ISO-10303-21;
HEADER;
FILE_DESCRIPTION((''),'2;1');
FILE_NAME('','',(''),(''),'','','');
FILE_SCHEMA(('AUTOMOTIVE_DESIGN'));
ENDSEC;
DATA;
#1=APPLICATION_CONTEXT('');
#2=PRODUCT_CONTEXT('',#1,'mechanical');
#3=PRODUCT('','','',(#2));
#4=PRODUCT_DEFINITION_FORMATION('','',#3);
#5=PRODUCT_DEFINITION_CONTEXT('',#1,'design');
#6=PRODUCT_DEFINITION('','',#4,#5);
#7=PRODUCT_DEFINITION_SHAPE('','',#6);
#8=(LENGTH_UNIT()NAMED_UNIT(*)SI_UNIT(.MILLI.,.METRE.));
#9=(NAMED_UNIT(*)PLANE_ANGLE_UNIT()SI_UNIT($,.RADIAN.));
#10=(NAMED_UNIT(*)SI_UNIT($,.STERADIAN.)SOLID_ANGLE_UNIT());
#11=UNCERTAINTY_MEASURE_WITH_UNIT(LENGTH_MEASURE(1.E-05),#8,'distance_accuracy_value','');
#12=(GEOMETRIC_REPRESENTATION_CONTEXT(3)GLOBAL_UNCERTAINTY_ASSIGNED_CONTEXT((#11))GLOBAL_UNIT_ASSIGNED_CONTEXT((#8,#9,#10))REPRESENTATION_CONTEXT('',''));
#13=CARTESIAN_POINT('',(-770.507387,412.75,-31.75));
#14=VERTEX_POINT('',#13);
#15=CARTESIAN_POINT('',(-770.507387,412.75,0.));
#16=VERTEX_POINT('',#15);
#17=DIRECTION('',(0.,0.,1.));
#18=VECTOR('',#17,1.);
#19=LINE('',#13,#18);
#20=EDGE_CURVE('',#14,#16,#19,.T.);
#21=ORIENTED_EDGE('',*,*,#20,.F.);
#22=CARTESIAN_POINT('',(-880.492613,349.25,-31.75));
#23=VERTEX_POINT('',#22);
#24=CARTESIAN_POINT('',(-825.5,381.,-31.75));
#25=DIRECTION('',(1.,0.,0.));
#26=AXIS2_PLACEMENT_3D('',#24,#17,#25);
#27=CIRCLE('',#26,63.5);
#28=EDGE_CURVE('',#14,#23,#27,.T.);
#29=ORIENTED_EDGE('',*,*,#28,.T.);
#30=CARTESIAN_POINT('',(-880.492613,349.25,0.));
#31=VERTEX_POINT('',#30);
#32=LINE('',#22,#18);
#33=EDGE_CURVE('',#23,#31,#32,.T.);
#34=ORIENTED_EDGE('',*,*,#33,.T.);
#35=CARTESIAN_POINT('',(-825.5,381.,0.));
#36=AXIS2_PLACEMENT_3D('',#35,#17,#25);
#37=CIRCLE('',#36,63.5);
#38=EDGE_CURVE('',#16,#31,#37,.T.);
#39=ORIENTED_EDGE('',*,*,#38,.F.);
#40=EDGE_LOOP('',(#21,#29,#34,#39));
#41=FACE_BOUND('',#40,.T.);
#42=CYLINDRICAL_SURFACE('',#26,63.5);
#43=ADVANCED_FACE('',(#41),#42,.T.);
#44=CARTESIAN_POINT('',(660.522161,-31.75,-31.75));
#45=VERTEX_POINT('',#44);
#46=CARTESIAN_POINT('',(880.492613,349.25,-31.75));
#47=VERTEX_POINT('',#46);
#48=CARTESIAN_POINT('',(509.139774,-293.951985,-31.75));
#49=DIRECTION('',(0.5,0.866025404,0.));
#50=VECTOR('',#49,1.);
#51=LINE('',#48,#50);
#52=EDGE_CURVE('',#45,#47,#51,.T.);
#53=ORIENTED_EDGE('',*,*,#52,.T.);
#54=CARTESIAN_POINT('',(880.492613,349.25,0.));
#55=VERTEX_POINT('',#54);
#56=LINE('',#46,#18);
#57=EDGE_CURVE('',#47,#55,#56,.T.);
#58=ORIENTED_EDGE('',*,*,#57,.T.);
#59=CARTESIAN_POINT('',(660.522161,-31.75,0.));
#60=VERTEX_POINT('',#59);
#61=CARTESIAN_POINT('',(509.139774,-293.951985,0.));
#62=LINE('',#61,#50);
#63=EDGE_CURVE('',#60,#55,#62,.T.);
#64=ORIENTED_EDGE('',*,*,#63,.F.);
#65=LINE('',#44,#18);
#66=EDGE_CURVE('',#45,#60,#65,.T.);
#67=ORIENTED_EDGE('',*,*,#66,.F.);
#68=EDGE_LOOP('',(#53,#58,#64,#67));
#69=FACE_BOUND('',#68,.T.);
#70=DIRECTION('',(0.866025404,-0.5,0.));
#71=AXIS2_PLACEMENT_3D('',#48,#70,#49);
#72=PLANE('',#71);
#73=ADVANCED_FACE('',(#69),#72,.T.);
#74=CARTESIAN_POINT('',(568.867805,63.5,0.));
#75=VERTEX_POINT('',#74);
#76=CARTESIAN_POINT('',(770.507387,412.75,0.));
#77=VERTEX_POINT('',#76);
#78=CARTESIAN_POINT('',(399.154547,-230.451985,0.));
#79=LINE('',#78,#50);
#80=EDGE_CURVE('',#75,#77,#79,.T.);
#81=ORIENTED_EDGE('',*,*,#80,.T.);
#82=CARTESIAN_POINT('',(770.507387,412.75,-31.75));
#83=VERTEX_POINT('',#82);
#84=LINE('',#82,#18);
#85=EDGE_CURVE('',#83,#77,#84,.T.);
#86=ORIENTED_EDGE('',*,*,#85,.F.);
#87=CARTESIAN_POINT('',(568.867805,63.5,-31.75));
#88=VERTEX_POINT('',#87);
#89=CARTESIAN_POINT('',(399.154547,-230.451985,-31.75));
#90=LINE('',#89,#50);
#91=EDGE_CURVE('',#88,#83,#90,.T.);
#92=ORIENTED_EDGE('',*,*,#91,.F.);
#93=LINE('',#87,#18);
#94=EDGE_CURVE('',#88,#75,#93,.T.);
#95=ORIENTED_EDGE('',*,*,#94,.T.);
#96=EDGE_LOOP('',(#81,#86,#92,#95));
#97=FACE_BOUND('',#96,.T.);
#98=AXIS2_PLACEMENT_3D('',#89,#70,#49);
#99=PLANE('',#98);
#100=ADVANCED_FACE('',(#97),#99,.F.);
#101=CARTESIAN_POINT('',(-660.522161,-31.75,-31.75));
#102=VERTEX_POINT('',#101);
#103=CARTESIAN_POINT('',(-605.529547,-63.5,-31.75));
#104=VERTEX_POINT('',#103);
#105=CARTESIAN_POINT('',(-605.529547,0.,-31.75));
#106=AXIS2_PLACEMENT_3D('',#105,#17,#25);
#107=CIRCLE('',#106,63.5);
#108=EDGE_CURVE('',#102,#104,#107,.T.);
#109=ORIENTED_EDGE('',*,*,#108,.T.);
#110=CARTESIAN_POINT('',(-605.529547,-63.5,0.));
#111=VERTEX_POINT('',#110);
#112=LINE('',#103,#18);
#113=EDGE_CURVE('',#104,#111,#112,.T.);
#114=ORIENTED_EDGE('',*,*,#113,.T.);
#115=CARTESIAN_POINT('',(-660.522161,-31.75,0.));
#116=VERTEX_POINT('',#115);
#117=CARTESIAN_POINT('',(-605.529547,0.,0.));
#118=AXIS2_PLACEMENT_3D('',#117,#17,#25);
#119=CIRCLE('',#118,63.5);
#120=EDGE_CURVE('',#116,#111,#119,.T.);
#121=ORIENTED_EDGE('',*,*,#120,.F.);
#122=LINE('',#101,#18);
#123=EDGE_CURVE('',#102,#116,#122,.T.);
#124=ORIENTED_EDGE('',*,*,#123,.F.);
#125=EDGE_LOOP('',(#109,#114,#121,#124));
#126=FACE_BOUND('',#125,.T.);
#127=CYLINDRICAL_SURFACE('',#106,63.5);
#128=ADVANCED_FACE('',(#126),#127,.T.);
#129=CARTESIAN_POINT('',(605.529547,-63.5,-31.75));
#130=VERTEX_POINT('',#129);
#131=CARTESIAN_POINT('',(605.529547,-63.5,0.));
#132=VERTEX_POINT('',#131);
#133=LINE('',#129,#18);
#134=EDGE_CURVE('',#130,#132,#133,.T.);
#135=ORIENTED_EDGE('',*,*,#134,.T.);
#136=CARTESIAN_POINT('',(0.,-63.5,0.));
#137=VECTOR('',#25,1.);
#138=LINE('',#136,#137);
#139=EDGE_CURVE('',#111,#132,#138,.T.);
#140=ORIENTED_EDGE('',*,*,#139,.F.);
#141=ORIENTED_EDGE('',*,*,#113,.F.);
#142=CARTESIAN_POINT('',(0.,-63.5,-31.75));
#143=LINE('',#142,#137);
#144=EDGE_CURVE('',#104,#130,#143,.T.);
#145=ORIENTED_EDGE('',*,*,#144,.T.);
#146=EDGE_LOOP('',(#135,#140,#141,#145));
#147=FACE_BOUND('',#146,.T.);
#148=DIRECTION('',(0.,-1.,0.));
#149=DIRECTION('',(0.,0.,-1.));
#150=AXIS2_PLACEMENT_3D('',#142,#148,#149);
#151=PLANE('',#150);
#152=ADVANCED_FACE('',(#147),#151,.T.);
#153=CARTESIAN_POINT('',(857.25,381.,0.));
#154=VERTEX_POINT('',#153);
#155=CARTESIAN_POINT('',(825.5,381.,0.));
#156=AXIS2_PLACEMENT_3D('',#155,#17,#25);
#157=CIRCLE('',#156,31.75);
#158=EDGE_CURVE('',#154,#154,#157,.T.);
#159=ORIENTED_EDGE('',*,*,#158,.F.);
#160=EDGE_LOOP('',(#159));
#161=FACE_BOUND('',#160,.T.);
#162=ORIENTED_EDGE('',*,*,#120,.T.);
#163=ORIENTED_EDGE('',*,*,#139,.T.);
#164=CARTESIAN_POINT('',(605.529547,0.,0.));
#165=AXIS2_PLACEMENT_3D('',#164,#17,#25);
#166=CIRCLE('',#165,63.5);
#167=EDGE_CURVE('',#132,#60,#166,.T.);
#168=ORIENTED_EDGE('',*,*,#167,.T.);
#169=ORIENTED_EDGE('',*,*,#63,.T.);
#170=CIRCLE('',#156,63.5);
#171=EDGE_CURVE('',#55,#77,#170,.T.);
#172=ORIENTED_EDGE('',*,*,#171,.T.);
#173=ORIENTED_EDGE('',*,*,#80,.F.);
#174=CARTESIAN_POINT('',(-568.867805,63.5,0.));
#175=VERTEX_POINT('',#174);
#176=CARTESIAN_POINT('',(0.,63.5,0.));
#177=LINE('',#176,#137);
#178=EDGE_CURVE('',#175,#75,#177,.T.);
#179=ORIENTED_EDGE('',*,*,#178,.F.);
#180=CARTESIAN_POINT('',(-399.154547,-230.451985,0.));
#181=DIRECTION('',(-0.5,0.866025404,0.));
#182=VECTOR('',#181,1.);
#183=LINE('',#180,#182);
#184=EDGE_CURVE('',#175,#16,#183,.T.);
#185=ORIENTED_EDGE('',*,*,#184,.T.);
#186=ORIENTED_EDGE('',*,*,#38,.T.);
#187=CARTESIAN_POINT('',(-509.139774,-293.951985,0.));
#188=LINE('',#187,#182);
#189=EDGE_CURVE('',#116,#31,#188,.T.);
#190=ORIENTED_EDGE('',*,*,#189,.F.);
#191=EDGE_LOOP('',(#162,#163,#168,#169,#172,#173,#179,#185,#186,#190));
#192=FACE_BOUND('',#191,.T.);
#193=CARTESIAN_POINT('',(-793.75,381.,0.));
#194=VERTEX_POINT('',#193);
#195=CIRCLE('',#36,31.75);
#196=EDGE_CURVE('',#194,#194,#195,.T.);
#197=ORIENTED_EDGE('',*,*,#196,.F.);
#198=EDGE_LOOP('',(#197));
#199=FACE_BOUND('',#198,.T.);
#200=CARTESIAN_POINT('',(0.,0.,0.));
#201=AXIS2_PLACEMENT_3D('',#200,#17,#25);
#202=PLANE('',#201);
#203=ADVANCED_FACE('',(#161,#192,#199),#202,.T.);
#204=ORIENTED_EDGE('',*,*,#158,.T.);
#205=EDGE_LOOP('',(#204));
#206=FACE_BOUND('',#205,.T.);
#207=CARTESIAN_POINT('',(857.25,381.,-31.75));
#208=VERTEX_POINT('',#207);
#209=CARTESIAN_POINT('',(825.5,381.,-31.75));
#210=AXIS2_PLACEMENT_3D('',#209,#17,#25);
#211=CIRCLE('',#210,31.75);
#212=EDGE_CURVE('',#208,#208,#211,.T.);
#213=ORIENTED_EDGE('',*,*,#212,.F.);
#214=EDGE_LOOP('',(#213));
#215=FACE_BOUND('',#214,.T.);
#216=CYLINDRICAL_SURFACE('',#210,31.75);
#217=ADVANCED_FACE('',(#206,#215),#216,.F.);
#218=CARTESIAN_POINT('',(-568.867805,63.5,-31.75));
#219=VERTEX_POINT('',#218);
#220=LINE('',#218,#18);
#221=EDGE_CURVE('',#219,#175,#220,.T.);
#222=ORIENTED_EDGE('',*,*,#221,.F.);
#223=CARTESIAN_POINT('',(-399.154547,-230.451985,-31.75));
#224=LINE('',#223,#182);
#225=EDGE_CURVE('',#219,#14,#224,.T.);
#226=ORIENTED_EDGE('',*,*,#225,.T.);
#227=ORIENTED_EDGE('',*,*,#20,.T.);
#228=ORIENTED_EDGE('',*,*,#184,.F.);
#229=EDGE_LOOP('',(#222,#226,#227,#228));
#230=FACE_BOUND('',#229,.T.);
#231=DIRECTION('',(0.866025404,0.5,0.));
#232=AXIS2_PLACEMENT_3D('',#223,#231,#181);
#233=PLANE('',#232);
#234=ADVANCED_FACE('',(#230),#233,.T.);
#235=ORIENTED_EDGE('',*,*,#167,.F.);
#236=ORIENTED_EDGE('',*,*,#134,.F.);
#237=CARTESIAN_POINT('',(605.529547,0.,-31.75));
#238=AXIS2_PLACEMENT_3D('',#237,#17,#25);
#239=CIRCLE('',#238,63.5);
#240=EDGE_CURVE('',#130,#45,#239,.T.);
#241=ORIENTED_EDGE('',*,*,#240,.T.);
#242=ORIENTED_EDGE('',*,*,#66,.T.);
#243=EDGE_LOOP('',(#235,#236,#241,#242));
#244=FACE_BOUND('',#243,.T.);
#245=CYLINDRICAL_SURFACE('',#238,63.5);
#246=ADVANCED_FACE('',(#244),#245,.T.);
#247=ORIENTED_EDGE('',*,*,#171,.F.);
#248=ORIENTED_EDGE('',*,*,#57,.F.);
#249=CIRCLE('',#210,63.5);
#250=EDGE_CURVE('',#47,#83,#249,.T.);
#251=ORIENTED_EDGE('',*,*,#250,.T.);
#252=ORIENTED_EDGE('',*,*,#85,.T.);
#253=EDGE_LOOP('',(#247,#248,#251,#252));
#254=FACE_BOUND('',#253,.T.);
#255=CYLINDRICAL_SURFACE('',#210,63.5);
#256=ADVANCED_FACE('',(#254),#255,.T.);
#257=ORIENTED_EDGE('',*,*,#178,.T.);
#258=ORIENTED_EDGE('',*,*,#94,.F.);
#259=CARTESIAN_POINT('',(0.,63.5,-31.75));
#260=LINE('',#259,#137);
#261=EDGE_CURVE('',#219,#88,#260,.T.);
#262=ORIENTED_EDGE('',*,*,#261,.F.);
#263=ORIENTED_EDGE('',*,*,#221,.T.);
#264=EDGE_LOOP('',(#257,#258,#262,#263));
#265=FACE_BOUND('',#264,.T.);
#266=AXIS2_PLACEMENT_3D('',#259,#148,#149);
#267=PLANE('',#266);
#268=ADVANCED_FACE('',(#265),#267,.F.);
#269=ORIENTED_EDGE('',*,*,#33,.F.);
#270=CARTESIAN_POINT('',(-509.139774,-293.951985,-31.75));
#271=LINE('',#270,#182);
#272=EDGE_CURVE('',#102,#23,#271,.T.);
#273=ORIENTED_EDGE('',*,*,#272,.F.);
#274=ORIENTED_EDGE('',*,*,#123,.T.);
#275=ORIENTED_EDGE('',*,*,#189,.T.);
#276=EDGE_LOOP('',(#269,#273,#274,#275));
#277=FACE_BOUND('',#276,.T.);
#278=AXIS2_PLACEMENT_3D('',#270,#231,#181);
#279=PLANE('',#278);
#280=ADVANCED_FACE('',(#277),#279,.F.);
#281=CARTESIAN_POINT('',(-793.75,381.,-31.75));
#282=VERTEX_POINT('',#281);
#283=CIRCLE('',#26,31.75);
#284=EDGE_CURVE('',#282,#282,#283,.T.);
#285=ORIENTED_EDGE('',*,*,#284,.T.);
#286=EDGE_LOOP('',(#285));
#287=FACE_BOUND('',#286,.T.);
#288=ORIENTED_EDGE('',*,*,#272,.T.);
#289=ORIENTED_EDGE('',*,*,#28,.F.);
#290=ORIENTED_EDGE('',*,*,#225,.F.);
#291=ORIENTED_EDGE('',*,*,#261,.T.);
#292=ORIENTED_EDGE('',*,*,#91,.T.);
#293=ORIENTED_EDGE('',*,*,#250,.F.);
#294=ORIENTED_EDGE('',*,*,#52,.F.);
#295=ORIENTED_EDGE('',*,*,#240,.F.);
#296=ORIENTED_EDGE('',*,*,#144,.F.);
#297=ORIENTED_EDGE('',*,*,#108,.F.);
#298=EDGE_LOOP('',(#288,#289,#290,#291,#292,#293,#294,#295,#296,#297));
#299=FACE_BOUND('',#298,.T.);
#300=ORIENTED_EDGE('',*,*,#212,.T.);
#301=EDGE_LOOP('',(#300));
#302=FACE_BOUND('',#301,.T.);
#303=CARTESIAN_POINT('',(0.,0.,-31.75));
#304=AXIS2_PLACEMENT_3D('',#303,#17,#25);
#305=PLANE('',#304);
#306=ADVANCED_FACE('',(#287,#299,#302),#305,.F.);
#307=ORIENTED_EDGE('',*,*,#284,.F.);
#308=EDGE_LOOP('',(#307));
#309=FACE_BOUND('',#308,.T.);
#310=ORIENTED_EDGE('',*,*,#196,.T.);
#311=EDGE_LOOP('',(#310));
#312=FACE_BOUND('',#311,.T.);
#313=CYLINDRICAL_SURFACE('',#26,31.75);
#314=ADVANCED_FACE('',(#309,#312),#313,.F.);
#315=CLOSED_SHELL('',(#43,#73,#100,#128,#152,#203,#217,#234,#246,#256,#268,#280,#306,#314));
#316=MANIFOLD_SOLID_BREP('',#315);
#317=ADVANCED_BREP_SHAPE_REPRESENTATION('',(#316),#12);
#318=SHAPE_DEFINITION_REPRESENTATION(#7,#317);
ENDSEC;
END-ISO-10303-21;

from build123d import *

# Parameters (mm, degrees)
BOSS_EXTRUDE1_DEPTH = 31.75
SKETCH2_R           = 31.75
CUT_EXTRUDE1_DEPTH  = 995.439194974


with BuildPart() as part:
    # Sketch1 → Boss-Extrude1 (new body)
    with BuildSketch(Plane.XY):
        with BuildLine():
            Line((-605.529547439, 63.5), (605.529547439, 63.5))
            ThreePointArc((605.529547439, 63.5), (669.029547439, 0), (605.529547439, -63.5))
            Line((605.529547439, -63.5), (-605.529547439, -63.5))
            ThreePointArc((-605.529547439, -63.5), (-669.029547439, 0), (-605.529547439, 63.5))
        make_face()
        with BuildLine():
            Line((550.536934298, 31.75), (770.50738686, 412.75))
            ThreePointArc((770.50738686, 412.75), (857.25, 435.99261314), (880.49261314, 349.25))
            Line((880.49261314, 349.25), (660.522160579, -31.75))
            ThreePointArc((660.522160579, -31.75), (573.779547439, -54.99261314), (550.536934298, 31.75))
        make_face()
        with BuildLine():
            Line((-660.522160579, -31.75), (-880.49261314, 349.25))
            ThreePointArc((-880.49261314, 349.25), (-857.25, 435.99261314), (-770.50738686, 412.75))
            Line((-770.50738686, 412.75), (-550.536934298, 31.75))
            ThreePointArc((-550.536934298, 31.75), (-573.779547439, -54.99261314), (-660.522160579, -31.75))
        make_face()
    extrude(amount=-BOSS_EXTRUDE1_DEPTH)

    # Sketch2 → Cut-Extrude1 (cut, through all)
    with BuildSketch(Plane.XY):
        with Locations((825.5, 381)):
            Circle(SKETCH2_R)
        with Locations((-825.5, 381)):
            Circle(SKETCH2_R)
    extrude(amount=-CUT_EXTRUDE1_DEPTH, mode=Mode.SUBTRACT)


solid = part.part
